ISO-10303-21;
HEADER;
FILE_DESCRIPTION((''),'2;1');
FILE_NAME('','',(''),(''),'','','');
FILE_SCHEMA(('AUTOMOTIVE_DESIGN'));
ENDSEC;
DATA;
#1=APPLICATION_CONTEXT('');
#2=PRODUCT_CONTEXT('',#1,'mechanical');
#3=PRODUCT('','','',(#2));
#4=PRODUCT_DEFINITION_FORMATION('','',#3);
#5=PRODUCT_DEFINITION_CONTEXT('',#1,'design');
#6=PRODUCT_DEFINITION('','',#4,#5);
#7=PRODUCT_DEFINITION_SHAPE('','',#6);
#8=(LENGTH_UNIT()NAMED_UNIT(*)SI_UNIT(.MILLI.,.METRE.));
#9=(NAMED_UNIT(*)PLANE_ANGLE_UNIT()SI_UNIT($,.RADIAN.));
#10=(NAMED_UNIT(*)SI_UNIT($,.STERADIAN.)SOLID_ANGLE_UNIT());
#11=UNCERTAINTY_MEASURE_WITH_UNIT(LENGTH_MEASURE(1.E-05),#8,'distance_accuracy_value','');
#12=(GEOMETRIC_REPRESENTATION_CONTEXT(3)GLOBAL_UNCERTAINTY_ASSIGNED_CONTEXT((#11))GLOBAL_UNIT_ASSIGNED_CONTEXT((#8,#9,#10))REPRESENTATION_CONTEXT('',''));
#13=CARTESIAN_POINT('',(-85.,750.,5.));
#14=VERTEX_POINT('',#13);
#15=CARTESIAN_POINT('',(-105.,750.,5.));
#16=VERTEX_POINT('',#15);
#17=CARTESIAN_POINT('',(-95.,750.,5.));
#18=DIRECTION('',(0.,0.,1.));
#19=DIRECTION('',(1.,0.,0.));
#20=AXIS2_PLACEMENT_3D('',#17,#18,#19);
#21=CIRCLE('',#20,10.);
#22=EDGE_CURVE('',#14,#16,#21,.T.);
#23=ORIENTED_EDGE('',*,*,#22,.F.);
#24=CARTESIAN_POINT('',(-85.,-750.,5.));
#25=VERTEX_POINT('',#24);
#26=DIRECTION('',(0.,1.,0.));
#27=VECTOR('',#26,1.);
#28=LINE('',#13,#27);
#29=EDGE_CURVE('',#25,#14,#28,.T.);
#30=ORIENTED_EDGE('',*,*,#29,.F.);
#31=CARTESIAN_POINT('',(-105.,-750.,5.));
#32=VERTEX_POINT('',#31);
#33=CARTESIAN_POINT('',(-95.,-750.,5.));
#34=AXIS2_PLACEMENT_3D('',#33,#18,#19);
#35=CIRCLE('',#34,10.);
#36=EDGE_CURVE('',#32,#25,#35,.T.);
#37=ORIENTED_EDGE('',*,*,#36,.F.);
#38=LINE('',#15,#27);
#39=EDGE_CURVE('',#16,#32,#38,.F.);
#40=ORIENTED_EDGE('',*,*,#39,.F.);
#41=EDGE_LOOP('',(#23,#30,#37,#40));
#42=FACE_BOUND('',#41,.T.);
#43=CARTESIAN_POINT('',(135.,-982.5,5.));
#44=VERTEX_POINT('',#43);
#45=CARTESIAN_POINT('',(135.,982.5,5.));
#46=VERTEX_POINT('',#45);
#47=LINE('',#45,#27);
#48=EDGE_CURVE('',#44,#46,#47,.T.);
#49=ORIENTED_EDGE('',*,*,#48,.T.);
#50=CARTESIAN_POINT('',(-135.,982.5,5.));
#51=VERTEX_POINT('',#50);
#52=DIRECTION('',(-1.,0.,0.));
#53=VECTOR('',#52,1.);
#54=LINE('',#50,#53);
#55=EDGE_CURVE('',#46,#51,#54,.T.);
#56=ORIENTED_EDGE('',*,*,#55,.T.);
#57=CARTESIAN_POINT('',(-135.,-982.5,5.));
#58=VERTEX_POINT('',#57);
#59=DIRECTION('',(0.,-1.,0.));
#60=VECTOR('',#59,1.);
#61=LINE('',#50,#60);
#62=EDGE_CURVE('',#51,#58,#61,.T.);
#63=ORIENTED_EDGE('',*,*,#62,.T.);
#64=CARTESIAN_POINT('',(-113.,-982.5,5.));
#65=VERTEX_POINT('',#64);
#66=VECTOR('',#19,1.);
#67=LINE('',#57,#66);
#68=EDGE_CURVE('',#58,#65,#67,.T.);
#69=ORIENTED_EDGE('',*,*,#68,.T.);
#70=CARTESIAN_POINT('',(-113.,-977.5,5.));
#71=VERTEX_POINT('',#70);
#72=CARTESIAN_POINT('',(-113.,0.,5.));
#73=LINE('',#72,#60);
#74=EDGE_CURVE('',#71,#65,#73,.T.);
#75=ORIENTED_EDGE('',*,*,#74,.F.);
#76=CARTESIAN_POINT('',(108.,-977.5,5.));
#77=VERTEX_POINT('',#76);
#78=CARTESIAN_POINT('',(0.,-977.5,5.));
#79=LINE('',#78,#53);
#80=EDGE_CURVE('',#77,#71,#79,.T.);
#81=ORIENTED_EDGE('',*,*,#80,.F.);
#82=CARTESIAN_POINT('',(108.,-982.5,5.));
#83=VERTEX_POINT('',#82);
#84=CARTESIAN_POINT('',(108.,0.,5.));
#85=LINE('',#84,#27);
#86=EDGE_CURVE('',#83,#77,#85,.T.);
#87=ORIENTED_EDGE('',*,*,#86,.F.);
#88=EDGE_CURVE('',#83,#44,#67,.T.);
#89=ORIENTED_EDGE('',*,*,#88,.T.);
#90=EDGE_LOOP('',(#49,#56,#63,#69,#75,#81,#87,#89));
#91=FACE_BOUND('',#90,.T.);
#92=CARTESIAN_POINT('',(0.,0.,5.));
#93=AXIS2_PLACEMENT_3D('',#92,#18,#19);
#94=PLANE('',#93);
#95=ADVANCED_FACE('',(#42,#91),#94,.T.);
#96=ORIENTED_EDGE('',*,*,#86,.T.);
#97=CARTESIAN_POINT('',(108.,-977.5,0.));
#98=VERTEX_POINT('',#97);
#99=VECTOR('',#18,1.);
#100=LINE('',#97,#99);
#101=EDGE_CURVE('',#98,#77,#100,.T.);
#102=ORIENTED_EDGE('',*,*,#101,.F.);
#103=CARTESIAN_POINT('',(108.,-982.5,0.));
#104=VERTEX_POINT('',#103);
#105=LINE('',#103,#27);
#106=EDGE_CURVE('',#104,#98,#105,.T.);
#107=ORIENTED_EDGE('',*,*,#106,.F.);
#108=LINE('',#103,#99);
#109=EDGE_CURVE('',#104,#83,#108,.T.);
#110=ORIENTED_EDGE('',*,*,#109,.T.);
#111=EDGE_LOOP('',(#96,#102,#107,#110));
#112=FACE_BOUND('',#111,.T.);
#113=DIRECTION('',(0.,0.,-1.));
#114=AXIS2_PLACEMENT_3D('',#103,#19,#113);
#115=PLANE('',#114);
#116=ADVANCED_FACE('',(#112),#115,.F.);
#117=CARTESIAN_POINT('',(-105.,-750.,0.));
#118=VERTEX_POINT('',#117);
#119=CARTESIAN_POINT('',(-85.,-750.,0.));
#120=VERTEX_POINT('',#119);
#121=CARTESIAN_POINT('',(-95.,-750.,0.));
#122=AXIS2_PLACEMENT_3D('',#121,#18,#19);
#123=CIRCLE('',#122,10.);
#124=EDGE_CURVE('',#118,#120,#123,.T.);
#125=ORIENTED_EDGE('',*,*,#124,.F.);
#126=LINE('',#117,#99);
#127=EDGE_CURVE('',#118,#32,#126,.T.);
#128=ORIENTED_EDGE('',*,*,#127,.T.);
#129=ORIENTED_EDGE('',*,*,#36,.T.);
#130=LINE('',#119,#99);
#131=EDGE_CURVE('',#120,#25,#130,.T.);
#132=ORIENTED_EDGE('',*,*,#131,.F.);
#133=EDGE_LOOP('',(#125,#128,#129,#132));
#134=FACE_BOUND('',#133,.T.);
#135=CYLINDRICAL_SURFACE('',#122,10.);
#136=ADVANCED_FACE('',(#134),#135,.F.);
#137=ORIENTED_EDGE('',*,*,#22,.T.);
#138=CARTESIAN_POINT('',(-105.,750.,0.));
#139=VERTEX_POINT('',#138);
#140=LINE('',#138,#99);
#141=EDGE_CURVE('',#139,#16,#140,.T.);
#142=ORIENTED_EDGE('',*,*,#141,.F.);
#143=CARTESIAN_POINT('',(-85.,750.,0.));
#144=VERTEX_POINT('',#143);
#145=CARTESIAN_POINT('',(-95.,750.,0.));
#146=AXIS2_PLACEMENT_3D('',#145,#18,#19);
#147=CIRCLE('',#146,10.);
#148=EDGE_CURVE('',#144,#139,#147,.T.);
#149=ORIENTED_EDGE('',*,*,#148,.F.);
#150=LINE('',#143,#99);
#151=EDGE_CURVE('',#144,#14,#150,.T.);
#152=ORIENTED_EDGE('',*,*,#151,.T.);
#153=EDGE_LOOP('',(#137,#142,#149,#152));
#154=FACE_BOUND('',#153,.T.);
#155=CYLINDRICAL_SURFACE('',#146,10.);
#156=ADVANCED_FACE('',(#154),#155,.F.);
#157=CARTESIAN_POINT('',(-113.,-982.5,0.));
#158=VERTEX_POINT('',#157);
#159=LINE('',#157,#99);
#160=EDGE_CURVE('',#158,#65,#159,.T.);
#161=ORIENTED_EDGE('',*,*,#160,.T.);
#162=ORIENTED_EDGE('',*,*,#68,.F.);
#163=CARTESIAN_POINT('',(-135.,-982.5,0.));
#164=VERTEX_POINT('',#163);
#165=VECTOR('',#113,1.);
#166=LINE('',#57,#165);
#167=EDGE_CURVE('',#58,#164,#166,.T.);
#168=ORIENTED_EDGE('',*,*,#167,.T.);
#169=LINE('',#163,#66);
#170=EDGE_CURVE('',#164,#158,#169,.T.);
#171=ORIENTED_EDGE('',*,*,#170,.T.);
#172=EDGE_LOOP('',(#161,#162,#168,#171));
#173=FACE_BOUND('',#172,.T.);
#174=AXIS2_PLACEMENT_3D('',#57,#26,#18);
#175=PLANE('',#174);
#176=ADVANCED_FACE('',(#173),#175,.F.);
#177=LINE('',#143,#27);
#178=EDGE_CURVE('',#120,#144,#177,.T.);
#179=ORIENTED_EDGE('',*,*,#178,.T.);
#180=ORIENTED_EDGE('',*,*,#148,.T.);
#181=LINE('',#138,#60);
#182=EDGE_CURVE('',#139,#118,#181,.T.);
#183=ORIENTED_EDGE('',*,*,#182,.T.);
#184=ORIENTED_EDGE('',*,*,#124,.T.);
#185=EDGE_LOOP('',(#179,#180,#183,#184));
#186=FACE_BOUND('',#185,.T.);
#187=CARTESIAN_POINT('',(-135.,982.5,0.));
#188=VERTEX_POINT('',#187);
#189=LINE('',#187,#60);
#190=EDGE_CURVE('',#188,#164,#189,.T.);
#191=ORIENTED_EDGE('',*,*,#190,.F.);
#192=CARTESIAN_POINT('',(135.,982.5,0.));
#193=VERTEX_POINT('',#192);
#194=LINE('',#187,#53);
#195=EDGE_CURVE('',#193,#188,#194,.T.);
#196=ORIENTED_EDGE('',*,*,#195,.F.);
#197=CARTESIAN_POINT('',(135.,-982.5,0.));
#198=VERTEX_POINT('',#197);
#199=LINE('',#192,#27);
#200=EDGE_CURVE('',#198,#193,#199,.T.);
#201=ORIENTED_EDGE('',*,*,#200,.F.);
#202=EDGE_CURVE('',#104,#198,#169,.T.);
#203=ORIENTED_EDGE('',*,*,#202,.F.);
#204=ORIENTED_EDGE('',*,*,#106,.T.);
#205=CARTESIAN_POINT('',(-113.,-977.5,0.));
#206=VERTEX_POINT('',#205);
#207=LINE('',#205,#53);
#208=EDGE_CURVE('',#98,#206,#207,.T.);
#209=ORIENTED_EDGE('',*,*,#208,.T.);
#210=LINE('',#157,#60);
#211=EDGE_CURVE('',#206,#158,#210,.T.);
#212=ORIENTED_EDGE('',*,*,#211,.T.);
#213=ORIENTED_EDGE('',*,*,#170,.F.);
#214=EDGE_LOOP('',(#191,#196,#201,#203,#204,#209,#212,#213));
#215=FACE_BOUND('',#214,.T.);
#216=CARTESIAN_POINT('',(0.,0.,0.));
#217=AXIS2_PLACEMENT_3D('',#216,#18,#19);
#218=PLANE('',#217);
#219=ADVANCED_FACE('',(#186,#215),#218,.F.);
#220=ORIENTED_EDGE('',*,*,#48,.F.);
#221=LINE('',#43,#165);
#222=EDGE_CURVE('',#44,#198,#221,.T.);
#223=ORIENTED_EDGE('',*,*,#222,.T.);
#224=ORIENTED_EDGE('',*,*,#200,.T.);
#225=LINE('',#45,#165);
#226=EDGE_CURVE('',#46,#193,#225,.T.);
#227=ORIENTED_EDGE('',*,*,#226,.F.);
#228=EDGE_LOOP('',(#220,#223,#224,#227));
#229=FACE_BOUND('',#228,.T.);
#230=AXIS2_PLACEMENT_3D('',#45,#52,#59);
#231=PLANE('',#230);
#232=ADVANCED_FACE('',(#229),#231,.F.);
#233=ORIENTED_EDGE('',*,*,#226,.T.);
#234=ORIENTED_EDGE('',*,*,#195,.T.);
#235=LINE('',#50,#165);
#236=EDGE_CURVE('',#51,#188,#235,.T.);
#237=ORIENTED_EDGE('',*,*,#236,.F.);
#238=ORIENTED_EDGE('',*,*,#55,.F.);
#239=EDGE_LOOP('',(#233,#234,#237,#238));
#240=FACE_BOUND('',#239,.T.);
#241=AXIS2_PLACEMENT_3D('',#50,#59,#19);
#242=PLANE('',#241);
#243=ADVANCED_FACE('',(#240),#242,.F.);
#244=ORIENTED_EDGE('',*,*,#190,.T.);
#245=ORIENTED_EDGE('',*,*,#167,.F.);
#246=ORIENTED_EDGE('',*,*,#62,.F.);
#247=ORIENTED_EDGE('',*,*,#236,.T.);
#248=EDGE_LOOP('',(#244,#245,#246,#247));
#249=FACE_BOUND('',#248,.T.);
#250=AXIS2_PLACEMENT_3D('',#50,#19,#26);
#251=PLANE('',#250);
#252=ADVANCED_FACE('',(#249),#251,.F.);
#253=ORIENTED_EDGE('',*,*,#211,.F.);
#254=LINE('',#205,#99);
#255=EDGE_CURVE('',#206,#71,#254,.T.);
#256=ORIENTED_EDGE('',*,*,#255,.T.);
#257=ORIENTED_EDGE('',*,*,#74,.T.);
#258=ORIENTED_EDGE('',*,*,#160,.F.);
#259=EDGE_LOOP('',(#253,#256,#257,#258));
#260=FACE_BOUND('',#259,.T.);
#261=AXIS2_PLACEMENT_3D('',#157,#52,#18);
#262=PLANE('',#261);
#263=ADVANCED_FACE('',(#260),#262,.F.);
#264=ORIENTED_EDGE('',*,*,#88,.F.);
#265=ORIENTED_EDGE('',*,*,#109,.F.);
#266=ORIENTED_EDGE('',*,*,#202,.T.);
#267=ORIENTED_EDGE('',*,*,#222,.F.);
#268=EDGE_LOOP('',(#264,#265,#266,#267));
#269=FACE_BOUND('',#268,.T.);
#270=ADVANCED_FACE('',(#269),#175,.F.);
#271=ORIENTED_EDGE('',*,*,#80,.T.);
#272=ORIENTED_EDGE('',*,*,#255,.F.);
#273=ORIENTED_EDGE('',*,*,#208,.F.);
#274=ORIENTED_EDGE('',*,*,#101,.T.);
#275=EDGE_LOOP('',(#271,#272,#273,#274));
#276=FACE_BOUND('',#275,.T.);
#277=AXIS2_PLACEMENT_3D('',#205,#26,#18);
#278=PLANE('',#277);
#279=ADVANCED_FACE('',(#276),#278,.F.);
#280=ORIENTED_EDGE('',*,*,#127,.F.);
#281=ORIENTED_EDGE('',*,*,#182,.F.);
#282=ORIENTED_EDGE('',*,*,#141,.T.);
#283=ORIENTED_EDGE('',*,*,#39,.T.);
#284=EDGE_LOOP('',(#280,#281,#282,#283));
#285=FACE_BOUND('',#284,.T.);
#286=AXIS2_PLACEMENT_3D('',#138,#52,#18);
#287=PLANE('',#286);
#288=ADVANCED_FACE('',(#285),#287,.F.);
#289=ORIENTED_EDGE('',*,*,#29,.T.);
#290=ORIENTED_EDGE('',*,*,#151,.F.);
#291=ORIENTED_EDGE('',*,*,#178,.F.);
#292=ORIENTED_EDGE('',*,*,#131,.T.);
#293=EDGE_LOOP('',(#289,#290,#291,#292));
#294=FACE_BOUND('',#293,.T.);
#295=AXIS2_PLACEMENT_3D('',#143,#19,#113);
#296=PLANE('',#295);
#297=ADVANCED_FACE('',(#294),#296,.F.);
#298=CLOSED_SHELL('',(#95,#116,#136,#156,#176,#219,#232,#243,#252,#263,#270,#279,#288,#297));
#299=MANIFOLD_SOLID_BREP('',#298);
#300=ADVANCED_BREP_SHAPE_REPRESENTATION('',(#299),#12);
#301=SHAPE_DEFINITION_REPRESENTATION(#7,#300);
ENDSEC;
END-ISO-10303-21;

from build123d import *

# Parameters (mm, degrees)
SKETCH1_W                    = 270
SKETCH1_H                    = 1965
MAIN_PLATE_EXTRUDE_DEPTH     = 5
MOTOR_MOUNT_CUT_DEPTH        = 992.7440446
MOTOR_MOUNT_CUT_DEPTH_BACK   = 992.7440446
SKETCH2_W                    = 221
SKETCH2_H                    = 5
OUTPUT_SHAFT_SLOT_DEPTH      = 992.7440446
OUTPUT_SHAFT_SLOT_DEPTH_BACK = 992.7440446


with BuildPart() as part:
    # Sketch1 → Main plate extrude (new body)
    with BuildSketch(Plane.XY):
        Rectangle(SKETCH1_W, SKETCH1_H)
    extrude(amount=MAIN_PLATE_EXTRUDE_DEPTH)

    # Sketch2 → Motor mount cut (cut, two sides: drawn at the far end of the back side and taken through both)
    with BuildSketch(Plane.XY.offset(5).offset(-MOTOR_MOUNT_CUT_DEPTH_BACK)):
        with Locations((-2.5, -980)):
            Rectangle(SKETCH2_W, SKETCH2_H)
    extrude(amount=MOTOR_MOUNT_CUT_DEPTH + MOTOR_MOUNT_CUT_DEPTH_BACK, mode=Mode.SUBTRACT)

    # Sketch3 → Output shaft slot (cut, two sides: drawn at the far end of the back side and taken through both)
    with BuildSketch(Plane.XY.offset(5).offset(-OUTPUT_SHAFT_SLOT_DEPTH_BACK)):
        with BuildLine():
            Line((-85, 750), (-85, -750))
            ThreePointArc((-85, -750), (-95, -760), (-105, -750))
            Line((-105, -750), (-105, 750))
            ThreePointArc((-105, 750), (-95, 760), (-85, 750))
        make_face()
    extrude(amount=OUTPUT_SHAFT_SLOT_DEPTH + OUTPUT_SHAFT_SLOT_DEPTH_BACK, mode=Mode.SUBTRACT)


solid = part.part
